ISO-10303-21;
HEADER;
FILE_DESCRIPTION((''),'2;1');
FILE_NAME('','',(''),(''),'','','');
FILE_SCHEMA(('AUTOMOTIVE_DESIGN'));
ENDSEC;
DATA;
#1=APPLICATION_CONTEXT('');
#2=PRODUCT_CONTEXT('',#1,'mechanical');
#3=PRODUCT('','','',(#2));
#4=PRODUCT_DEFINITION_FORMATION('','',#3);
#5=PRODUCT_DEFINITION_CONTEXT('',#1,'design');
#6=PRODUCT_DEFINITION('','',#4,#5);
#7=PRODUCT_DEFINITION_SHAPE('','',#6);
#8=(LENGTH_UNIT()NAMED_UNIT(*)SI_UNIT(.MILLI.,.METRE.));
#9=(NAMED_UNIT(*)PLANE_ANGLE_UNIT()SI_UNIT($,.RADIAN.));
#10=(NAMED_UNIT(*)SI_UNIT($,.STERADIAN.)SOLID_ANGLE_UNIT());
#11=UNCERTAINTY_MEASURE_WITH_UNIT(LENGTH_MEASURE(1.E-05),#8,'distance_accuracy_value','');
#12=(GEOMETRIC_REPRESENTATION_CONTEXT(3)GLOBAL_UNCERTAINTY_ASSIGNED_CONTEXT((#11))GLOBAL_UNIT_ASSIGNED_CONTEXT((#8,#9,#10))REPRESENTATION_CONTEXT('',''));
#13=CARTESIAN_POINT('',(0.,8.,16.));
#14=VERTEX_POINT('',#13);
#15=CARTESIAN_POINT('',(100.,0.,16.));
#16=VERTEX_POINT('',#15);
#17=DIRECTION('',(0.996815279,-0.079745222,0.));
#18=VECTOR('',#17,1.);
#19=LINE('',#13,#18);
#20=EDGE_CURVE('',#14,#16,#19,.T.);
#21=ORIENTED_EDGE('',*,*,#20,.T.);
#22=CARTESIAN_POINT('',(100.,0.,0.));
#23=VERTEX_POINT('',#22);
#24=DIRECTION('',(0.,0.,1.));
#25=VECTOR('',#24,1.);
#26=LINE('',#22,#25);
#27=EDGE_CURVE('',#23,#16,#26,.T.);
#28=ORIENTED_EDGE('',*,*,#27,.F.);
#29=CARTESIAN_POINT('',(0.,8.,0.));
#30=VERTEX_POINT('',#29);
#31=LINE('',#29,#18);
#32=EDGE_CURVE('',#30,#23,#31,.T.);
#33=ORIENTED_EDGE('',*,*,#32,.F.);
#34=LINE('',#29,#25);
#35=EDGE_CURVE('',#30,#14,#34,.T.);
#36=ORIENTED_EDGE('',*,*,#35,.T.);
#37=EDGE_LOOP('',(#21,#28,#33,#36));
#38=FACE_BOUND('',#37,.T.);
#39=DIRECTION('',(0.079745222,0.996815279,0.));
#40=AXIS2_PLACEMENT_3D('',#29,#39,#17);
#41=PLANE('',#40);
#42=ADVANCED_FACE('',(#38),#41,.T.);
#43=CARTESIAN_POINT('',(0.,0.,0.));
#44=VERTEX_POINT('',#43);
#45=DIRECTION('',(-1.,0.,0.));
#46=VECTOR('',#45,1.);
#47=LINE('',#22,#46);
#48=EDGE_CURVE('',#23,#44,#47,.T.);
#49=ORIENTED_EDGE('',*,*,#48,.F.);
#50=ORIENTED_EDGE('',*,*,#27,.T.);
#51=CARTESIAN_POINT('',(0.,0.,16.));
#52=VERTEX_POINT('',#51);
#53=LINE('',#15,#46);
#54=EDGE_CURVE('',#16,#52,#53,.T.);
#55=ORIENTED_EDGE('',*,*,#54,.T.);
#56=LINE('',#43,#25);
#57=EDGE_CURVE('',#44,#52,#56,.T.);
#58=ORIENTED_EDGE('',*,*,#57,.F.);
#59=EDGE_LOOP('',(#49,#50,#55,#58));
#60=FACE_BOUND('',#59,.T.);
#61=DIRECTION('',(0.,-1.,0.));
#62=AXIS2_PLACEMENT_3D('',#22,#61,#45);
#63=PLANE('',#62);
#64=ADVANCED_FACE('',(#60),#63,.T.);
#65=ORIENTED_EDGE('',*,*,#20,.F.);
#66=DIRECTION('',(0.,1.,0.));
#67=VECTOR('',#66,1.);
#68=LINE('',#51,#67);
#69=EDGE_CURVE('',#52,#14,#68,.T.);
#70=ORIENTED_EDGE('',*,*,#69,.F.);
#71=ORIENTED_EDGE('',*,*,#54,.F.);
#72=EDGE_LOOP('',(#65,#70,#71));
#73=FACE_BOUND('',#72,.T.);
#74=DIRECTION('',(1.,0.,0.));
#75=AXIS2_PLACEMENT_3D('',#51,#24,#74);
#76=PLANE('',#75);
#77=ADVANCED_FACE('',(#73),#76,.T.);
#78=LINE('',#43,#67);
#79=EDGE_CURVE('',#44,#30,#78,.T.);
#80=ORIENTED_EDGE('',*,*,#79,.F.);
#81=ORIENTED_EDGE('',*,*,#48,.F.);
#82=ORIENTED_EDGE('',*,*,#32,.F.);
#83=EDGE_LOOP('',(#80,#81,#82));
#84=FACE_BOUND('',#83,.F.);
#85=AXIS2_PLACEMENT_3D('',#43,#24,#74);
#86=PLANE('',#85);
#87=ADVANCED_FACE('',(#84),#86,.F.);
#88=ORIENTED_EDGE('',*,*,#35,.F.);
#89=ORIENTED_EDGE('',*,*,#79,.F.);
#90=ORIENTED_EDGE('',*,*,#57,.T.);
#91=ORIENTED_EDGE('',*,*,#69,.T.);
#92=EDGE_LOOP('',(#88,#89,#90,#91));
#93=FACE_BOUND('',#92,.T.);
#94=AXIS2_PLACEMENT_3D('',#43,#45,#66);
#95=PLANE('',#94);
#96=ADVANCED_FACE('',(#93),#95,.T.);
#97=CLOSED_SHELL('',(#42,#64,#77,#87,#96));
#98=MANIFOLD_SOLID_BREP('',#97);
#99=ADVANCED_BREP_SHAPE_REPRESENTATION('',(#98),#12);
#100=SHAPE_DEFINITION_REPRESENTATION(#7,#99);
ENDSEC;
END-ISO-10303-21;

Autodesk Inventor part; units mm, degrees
ref_plane "YZ Plane" through (0, 0, 0) normal (1, 0, 0) x (0, 1, 0)
ref_plane "XZ Plane" through (0, 0, 0) normal (0, 1, 0) x (-1, 0, 0)
ref_plane "XY Plane" through (0, 0, 0) normal (0, 0, 1) x (1, 0, 0)
sketch "Sketch1" plane through (0, 0, 0) normal (0, 0, 1) x (1, 0, 0)
  line L0 (0, 0) -> (0, 8)
  line L1 (0, 8) -> (100, 0)
  line L2 (100, 0) -> (0, 0)
  dimension "d0" = 8
  dimension "d1" = 100
extrude "Extrusion1" add sketch "Sketch1" along normal blind 16
properties part number "Wedge"
